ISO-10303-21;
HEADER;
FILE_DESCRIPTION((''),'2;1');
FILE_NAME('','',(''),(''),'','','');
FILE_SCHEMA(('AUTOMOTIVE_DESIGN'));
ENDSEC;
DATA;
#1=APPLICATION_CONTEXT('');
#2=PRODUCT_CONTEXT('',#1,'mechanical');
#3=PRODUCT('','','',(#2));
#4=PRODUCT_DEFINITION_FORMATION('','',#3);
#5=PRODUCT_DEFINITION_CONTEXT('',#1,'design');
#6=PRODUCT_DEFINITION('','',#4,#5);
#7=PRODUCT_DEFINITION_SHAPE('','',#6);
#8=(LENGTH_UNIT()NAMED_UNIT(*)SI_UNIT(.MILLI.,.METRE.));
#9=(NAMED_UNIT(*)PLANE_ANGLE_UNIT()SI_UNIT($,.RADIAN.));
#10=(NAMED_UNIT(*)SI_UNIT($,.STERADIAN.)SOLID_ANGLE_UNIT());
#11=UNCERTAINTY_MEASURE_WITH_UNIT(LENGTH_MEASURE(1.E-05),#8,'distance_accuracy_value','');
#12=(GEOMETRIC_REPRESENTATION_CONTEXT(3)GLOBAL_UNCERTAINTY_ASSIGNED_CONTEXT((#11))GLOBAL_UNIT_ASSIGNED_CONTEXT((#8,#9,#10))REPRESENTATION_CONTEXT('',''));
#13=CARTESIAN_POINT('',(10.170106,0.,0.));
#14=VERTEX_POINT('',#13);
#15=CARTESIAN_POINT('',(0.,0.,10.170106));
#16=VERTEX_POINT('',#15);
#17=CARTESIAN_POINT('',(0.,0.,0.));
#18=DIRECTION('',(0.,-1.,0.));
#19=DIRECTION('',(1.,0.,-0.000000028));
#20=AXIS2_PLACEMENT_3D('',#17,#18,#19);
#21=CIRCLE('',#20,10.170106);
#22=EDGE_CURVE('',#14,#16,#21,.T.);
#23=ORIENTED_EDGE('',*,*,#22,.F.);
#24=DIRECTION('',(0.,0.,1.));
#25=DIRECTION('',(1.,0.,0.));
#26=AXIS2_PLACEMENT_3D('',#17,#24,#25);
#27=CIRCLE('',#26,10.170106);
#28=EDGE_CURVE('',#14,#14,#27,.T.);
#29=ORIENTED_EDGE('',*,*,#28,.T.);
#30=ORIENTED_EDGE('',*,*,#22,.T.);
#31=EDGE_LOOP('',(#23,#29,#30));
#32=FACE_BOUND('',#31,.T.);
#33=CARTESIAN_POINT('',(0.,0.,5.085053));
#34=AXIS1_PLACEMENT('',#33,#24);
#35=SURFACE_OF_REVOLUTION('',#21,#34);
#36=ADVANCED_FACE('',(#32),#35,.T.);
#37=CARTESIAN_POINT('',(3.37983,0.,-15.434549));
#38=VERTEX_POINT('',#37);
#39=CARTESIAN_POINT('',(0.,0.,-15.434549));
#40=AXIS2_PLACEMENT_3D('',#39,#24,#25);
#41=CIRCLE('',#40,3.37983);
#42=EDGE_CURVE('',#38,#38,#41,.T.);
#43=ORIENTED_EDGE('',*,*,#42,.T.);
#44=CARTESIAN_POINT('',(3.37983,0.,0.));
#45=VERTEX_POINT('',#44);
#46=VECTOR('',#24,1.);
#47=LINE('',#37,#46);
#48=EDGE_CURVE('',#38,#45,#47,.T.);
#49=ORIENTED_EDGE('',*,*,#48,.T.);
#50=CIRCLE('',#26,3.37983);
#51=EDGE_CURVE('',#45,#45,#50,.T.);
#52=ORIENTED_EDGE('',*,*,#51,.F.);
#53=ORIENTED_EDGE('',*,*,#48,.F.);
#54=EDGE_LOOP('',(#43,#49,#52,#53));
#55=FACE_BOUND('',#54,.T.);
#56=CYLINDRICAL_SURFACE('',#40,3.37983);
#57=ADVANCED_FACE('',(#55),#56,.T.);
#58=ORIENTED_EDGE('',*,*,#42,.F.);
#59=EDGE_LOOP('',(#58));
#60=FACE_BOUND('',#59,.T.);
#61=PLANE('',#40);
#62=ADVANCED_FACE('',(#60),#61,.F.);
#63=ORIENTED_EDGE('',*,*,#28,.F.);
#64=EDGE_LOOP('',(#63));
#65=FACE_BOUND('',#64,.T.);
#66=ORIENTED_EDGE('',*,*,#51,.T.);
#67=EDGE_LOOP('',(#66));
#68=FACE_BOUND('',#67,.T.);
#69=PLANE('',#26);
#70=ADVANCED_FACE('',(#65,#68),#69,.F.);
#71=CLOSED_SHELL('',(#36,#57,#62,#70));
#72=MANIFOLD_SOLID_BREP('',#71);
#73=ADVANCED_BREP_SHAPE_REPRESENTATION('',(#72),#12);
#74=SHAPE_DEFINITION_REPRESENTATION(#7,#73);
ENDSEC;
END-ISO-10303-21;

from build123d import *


with BuildPart() as f1:
    # F0 (on Front) → F1 (revolve)
    with BuildSketch(Plane.XZ):
        with BuildLine():
            Line((3.37983, 0), (10.170106, 0))
            ThreePointArc((10.170106, 0), (7.191351, 7.191351), (0, 10.170106))
            Line((0, 10.170106), (0, 0))
            Line((0, 0), (0, -15.434549))
            Line((0, -15.434549), (3.37983, -15.434549))
            Line((3.37983, -15.434549), (3.37983, 0))
        make_face()
    revolve(axis=Axis((0, 0, 5.085053), (0, 0, 1)))


solid = f1.part
